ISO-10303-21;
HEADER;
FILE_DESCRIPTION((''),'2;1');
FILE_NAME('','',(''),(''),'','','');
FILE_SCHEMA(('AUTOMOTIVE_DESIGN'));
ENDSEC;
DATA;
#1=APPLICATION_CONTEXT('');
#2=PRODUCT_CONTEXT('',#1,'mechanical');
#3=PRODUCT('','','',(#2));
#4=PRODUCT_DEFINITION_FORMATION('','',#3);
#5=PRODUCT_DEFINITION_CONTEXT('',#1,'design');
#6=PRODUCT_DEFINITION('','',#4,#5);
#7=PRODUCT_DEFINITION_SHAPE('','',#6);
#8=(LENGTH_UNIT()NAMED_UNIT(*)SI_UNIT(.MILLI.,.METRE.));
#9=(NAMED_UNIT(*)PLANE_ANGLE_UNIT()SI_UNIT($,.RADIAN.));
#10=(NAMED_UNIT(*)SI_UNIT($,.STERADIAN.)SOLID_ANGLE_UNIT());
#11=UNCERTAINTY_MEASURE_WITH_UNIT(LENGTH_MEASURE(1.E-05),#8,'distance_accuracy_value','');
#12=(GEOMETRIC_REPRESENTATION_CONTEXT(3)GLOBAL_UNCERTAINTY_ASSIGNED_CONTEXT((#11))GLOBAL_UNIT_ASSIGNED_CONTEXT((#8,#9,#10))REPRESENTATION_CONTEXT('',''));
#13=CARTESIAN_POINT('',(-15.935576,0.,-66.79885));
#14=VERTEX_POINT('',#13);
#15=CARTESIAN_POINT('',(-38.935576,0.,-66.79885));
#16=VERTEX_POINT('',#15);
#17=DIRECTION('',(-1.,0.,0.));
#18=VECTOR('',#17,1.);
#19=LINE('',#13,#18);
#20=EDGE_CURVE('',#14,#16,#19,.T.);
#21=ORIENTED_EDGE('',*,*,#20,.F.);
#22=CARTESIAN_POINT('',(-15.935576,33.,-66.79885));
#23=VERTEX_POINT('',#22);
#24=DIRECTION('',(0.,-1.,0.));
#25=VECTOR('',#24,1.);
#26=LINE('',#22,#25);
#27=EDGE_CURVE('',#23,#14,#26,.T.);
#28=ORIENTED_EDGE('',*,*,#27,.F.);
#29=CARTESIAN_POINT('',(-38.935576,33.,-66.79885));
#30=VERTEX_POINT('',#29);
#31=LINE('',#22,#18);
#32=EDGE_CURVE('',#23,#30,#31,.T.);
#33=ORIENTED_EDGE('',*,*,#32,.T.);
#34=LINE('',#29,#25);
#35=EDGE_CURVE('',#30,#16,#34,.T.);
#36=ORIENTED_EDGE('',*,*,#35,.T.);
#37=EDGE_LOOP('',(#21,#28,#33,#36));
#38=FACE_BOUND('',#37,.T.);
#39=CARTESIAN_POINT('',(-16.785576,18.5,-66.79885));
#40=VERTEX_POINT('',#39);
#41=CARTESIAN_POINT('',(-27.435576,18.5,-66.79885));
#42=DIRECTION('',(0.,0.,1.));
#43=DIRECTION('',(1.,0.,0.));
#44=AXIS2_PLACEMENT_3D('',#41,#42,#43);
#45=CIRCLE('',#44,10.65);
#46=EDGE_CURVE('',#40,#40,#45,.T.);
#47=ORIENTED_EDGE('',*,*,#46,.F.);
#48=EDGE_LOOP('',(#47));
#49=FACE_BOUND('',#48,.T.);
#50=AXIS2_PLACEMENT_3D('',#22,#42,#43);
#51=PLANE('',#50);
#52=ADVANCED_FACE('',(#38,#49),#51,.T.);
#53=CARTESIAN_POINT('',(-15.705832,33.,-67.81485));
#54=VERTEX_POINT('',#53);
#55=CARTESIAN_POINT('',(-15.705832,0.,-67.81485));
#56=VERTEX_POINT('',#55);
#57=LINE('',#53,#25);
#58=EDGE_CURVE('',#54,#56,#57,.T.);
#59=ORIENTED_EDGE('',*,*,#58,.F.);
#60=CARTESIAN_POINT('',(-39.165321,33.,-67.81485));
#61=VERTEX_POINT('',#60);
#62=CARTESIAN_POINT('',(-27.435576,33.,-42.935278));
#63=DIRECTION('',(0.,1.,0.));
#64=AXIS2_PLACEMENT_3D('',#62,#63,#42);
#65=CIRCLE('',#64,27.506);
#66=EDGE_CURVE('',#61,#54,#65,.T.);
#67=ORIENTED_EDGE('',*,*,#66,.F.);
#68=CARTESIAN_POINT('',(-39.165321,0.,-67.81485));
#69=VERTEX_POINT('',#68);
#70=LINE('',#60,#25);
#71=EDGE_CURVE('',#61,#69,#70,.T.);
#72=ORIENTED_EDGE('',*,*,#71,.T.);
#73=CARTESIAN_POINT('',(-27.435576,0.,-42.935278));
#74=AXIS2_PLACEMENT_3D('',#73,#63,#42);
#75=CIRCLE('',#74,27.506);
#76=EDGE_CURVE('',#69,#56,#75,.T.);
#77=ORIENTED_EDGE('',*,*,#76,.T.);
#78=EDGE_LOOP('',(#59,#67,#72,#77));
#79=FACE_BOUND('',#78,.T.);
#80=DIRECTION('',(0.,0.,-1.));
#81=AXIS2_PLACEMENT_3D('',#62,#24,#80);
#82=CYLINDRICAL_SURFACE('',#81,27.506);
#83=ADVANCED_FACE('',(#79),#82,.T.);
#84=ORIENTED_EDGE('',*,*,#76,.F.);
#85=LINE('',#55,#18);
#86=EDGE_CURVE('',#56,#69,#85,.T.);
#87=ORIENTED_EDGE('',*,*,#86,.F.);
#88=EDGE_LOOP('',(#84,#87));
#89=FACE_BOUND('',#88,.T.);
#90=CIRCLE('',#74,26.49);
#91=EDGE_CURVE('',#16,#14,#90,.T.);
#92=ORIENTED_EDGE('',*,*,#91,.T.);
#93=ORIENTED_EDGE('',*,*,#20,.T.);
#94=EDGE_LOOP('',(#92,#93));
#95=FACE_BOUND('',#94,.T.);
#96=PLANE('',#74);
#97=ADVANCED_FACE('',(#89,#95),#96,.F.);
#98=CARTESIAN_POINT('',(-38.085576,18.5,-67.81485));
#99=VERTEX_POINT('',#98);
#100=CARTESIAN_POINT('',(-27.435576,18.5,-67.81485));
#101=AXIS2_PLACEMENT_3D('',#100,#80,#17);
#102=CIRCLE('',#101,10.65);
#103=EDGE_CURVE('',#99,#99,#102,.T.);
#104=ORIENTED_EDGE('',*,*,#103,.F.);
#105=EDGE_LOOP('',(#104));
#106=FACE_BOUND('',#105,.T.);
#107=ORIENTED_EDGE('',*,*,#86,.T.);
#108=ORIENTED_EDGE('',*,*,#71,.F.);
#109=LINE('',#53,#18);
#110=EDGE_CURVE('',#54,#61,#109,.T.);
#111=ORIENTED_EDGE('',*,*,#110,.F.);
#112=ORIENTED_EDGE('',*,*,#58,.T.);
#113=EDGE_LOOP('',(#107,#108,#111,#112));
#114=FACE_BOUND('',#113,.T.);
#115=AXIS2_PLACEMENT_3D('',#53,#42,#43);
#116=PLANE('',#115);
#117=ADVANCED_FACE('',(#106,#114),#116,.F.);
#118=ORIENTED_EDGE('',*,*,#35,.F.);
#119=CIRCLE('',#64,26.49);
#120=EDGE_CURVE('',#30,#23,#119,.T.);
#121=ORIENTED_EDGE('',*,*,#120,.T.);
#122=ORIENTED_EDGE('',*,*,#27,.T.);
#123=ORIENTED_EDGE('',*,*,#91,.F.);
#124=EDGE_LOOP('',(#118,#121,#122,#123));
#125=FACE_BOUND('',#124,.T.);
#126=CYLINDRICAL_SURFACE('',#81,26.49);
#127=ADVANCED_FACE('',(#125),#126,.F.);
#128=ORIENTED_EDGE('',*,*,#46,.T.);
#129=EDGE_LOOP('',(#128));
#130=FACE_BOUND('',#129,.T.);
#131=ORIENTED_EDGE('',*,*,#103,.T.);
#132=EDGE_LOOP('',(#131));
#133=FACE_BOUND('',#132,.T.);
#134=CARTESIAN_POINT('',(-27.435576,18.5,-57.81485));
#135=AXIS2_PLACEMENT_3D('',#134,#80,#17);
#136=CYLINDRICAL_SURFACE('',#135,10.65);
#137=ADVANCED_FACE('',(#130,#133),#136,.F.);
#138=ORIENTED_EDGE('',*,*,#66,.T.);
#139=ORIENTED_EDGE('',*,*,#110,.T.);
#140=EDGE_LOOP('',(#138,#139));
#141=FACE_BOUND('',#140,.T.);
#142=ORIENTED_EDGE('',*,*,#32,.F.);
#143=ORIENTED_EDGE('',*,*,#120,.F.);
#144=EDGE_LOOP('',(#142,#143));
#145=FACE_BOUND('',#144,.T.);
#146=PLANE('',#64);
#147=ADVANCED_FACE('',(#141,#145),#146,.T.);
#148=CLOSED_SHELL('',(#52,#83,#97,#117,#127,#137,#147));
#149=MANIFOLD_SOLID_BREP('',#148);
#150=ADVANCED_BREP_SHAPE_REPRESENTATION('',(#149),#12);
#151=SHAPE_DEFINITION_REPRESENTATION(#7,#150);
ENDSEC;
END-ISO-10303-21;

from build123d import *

# Parameters (mm, degrees)
BOSS_EXTRUDE1_DEPTH = 33
SKETCH2_R           = 10.65
CUT_EXTRUDE1_DEPTH  = 10


with BuildPart() as part:
    # Sketch1 → Boss-Extrude1 (new body)
    with BuildSketch(Plane(origin=(0, 0, 0), x_dir=(-1, 0, 0), z_dir=(0, 1, 0))):
        with BuildLine():
            Line((15.705832049, -67.814850439), (39.165320565, -67.814850439))
            ThreePointArc((39.165320565, -67.814850439), (27.435576307, -15.429277781), (15.705832049, -67.814850439))
        make_face()
        with BuildLine():
            Line((15.935576307, -66.798850439), (38.935576307, -66.798850439))
            ThreePointArc((38.935576307, -66.798850439), (27.435576307, -16.445277781), (15.935576307, -66.798850439))
        make_face(mode=Mode.SUBTRACT)
    extrude(amount=BOSS_EXTRUDE1_DEPTH)

    # Sketch2 → Cut-Extrude1 (cut)
    with BuildSketch(Plane(origin=(0, 0, -67.814850439), x_dir=(-1, 0, 0), z_dir=(0, 0, -1))):
        with Locations((27.435576307, 18.5)):
            Circle(SKETCH2_R)
    extrude(amount=-CUT_EXTRUDE1_DEPTH, mode=Mode.SUBTRACT)


solid = part.part
